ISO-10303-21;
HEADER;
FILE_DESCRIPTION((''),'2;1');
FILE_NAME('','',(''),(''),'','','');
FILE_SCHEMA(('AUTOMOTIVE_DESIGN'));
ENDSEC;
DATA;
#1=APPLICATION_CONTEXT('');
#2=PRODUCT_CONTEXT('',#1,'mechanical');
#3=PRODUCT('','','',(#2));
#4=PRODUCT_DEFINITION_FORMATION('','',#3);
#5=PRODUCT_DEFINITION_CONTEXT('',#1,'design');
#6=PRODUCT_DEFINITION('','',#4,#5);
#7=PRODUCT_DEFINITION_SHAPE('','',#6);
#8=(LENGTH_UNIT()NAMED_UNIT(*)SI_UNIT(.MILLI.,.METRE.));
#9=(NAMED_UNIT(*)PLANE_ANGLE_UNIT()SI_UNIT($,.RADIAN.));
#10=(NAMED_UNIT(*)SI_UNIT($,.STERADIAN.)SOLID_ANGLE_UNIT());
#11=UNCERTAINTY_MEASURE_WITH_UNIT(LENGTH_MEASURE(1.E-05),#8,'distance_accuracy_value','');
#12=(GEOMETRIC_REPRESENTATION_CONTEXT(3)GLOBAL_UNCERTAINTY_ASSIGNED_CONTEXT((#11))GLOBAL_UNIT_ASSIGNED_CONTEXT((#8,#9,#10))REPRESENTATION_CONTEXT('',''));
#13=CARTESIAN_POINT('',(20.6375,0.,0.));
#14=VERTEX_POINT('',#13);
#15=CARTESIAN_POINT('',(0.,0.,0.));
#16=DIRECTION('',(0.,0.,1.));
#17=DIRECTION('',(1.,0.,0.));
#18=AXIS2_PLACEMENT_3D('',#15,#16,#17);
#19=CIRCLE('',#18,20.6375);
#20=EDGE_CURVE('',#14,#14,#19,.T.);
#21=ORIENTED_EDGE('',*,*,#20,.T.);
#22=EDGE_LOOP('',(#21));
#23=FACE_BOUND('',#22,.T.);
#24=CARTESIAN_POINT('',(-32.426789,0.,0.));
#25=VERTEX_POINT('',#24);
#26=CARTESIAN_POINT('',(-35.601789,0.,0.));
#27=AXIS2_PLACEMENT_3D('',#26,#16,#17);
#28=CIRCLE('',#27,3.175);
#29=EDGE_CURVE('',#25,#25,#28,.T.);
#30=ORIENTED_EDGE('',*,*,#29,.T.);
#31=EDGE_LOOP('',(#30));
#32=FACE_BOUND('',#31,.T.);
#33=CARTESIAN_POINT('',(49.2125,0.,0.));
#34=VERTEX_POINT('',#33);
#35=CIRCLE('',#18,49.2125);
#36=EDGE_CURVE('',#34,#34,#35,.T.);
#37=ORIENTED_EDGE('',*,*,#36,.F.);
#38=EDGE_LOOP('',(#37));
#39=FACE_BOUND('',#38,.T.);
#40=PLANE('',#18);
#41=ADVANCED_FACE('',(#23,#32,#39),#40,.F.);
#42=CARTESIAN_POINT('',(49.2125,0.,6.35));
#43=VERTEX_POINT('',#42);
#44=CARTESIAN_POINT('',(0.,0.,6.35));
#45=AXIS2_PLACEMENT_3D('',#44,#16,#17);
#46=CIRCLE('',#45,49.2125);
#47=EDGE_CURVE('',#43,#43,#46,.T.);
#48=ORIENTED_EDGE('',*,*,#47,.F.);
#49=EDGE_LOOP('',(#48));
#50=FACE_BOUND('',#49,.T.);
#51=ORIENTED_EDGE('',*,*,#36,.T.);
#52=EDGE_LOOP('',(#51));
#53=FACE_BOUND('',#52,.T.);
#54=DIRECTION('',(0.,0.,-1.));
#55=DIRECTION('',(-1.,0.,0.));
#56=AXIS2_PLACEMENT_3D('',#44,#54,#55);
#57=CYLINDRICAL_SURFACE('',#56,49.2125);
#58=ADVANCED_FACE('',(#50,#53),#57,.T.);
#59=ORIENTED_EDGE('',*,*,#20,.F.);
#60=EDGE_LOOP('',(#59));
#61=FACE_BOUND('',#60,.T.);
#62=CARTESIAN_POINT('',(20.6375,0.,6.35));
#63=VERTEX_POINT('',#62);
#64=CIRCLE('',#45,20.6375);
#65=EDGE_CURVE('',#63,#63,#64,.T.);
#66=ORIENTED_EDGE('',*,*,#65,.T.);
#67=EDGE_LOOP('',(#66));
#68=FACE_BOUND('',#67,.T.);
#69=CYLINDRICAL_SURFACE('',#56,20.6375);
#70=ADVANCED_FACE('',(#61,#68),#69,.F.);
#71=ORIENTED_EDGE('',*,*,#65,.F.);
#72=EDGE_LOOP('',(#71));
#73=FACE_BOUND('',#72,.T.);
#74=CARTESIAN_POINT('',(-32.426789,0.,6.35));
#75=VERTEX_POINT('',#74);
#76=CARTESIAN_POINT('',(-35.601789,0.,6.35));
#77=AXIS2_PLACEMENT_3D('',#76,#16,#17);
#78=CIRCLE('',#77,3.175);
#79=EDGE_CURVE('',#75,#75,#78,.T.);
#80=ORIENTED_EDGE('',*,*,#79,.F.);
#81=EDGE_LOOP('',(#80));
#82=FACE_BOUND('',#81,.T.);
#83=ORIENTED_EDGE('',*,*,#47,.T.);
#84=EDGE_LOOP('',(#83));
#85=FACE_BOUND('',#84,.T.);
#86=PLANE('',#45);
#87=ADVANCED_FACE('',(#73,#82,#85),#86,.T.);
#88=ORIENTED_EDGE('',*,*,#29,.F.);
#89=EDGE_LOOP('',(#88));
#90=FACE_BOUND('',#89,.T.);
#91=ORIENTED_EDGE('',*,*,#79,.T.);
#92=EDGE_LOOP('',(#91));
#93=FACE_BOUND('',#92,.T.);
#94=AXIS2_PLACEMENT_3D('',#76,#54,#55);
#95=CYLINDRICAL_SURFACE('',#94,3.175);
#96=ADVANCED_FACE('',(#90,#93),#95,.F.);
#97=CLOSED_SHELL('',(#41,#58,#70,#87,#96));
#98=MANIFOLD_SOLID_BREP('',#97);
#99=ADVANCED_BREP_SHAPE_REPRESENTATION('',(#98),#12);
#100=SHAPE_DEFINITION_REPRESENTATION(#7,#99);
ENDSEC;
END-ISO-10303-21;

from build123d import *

# Parameters (mm, degrees)
SKETCH1_R           = 49.2125
SKETCH1_R_2         = 3.175
SKETCH1_R_3         = 20.6375
BOSS_EXTRUDE1_DEPTH = 6.35


with BuildPart() as part:
    # Sketch1 → Boss-Extrude1 (new body)
    with BuildSketch(Plane.XY):
        Circle(SKETCH1_R)
        with Locations((-35.601789015, 0)):
            Circle(SKETCH1_R_2, mode=Mode.SUBTRACT)
        Circle(SKETCH1_R_3, mode=Mode.SUBTRACT)
    extrude(amount=BOSS_EXTRUDE1_DEPTH)


solid = part.part
